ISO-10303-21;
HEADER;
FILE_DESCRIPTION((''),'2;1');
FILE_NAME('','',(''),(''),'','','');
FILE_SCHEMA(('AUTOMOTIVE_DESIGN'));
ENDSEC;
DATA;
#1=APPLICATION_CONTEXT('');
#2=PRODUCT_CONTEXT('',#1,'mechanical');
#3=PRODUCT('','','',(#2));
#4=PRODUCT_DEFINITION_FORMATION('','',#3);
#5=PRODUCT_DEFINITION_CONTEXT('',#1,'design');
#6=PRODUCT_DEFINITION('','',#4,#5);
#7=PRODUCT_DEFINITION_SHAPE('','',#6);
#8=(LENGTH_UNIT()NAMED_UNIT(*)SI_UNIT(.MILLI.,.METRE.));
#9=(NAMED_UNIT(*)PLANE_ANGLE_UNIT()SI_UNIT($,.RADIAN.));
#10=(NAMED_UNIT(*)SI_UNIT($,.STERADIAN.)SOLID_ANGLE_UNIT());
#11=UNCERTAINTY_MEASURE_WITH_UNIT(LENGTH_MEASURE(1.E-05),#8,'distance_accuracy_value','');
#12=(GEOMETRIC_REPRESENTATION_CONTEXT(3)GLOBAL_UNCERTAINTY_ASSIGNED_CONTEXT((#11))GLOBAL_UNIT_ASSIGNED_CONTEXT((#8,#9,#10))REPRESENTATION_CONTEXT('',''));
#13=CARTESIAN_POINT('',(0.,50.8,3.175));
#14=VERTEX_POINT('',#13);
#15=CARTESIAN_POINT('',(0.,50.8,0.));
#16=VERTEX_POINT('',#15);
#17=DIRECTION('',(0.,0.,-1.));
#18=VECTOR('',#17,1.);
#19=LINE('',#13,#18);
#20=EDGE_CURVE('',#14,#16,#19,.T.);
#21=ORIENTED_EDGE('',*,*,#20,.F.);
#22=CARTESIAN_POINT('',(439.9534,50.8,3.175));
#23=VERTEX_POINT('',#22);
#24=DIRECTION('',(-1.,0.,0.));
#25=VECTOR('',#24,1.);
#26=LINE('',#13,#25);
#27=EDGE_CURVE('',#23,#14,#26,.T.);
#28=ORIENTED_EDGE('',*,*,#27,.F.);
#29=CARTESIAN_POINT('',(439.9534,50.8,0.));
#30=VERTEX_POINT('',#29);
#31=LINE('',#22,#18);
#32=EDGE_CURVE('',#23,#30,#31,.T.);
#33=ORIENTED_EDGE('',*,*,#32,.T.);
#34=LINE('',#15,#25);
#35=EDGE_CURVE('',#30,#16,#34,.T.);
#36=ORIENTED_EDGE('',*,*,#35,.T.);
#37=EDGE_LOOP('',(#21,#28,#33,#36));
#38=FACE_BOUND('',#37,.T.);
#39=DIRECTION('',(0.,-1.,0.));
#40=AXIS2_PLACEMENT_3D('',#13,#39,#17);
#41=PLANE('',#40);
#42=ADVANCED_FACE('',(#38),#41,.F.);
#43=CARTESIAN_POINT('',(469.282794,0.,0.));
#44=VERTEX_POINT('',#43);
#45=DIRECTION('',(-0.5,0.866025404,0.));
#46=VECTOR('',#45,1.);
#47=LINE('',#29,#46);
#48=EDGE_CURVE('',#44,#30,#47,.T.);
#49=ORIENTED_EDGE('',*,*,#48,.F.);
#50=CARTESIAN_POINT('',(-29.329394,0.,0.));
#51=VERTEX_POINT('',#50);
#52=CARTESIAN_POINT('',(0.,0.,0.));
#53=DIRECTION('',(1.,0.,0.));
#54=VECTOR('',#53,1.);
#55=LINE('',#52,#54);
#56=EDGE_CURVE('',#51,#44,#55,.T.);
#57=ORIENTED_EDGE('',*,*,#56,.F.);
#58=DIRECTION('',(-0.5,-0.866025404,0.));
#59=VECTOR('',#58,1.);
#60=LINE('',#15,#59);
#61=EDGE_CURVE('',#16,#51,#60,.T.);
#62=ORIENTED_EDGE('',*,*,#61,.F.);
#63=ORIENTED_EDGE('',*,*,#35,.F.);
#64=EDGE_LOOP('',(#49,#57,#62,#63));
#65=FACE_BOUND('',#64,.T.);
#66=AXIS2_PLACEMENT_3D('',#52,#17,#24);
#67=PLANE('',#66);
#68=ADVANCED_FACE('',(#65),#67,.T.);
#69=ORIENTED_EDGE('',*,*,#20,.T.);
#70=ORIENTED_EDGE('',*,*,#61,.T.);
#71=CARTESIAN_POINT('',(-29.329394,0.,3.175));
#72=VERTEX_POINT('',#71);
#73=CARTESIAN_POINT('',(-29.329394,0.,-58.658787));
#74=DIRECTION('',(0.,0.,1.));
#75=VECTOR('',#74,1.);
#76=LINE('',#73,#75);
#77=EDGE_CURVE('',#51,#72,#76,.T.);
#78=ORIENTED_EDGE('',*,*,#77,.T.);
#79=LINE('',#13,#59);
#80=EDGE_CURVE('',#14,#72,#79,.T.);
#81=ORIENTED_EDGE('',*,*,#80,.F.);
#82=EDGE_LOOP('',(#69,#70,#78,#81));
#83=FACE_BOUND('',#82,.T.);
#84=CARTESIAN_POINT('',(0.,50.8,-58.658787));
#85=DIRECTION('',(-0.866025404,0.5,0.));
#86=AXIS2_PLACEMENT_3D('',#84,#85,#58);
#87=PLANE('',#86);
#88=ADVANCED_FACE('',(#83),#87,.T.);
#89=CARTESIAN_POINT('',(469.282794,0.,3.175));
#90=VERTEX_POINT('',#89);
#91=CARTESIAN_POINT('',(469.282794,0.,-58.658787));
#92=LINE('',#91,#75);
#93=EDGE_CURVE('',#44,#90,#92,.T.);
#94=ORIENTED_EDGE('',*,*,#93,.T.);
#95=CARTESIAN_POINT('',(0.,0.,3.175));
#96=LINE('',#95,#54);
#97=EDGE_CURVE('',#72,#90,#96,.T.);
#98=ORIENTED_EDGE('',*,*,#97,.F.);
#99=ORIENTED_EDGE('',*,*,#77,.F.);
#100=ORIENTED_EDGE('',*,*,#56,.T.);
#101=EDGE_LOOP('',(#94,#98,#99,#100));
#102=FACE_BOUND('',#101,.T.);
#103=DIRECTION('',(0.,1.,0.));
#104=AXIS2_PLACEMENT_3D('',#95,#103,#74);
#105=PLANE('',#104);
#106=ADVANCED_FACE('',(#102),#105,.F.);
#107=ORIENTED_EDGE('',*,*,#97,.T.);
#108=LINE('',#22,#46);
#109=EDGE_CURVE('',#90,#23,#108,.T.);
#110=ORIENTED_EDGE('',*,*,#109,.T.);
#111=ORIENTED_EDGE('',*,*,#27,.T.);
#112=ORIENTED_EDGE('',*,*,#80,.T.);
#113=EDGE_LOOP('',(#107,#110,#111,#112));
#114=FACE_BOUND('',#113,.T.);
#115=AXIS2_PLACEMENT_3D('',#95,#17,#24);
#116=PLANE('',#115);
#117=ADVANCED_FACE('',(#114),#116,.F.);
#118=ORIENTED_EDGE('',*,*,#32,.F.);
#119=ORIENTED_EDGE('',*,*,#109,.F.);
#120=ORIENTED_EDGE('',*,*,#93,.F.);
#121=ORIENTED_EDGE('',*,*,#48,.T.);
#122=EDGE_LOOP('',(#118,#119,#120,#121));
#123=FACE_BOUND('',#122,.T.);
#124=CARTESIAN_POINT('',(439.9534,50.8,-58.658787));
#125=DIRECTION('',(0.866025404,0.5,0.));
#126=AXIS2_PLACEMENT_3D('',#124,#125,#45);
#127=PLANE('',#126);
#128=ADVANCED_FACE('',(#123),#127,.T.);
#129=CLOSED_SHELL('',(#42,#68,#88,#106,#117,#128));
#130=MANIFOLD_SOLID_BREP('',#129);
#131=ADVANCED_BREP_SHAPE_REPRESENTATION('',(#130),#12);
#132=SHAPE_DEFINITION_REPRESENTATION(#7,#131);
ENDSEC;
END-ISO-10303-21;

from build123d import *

# Parameters (mm, degrees)
SKETCH1_W           = 439.9534
SKETCH1_H           = 50.8
BOSS_EXTRUDE1_DEPTH = 3.175
BOSS_EXTRUDE2_DEPTH = 3.175


with BuildPart() as part:
    # Sketch1 → Boss-Extrude1 (new body)
    with BuildSketch(Plane.XY):
        with Locations((219.9767, 25.4)):
            Rectangle(SKETCH1_W, SKETCH1_H)
    extrude(amount=BOSS_EXTRUDE1_DEPTH)

    # Sketch2 → Boss-Extrude2 (add)
    with BuildSketch(Plane.XY.offset(3.175)):
        Polygon((0, 50.8), (-29.329393675, 0), (0, 0), align=None)
        Polygon((469.282793675, 0), (439.9534, 0), (439.9534, 50.8), align=None)
    extrude(amount=-BOSS_EXTRUDE2_DEPTH)


solid = part.part
